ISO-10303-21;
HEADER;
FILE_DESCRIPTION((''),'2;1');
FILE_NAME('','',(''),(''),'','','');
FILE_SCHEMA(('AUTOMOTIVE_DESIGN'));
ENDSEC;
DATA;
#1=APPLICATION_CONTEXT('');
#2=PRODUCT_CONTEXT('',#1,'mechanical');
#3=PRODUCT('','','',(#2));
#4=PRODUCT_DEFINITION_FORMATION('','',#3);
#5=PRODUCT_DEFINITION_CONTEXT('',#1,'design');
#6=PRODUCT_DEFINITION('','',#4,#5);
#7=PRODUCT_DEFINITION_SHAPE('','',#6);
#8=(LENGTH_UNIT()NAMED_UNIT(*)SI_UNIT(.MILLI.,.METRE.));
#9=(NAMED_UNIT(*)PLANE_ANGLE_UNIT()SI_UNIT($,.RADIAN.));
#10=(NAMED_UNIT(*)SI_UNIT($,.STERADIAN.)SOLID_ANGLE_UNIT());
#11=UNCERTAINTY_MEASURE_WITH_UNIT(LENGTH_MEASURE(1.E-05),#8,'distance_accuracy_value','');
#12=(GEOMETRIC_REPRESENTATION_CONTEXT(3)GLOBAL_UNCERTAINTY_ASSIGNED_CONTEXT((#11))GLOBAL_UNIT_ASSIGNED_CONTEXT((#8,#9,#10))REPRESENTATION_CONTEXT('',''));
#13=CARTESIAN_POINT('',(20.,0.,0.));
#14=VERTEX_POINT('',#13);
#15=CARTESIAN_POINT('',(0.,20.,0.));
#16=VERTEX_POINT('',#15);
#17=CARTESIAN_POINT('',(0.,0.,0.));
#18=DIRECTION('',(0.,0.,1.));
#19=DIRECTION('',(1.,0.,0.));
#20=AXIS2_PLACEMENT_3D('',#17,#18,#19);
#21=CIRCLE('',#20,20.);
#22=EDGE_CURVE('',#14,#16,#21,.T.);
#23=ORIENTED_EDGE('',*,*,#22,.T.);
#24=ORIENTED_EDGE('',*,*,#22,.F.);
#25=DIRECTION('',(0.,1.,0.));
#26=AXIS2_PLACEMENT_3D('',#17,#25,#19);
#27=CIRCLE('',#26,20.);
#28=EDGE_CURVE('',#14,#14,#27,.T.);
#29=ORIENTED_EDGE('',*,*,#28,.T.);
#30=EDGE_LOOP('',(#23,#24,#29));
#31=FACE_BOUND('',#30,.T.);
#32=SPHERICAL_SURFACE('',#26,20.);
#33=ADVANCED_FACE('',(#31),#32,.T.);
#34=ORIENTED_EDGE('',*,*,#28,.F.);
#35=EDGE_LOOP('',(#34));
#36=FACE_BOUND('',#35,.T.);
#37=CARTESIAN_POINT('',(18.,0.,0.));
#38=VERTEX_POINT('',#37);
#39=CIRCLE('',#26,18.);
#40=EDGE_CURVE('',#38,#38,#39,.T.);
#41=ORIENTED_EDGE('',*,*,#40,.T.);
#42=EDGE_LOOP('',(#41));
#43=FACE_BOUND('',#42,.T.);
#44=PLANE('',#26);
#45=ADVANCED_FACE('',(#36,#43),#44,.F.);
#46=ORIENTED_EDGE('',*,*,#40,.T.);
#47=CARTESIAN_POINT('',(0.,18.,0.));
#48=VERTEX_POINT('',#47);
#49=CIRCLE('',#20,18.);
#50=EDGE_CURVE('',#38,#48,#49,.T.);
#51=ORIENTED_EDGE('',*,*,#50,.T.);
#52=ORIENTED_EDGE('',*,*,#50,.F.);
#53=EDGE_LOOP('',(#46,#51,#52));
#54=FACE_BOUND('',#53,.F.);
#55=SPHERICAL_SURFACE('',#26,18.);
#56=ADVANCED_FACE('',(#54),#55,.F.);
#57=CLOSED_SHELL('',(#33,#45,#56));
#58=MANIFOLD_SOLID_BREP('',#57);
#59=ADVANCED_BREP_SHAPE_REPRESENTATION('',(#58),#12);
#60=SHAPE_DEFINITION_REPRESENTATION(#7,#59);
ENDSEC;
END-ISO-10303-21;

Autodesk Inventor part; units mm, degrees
ref_plane "YZ Plane" through (0, 0, 0) normal (1, 0, 0) x (0, 1, 0)
ref_plane "XZ Plane" through (0, 0, 0) normal (0, 1, 0) x (-1, 0, 0)
ref_plane "XY Plane" through (0, 0, 0) normal (0, 0, 1) x (1, 0, 0)
sketch "Sketch1" plane through (0, 0, 0) normal (0, 0, 1) x (1, 0, 0)
  line L0 (0, 0) -> (0, 20)
  line L1 (0, 0) -> (20, 0)
  arc A0 (20, 0) -> (0, 20) centre (0, 0) ccw
  line L2 (0, -4.8284) -> (0, 28.9706) projected
  dimension "d2" = 20
revolve "Revolution1" add sketch "Sketch1" angle 360 about axis through (0, -10, 0) along (0, 1, 0)
shell "Shell2" thickness 2 removed faces 1 at (-2.364, 0, -6.2334)
properties part number "Ball_Upper Half" material "Nylon 6/6"
